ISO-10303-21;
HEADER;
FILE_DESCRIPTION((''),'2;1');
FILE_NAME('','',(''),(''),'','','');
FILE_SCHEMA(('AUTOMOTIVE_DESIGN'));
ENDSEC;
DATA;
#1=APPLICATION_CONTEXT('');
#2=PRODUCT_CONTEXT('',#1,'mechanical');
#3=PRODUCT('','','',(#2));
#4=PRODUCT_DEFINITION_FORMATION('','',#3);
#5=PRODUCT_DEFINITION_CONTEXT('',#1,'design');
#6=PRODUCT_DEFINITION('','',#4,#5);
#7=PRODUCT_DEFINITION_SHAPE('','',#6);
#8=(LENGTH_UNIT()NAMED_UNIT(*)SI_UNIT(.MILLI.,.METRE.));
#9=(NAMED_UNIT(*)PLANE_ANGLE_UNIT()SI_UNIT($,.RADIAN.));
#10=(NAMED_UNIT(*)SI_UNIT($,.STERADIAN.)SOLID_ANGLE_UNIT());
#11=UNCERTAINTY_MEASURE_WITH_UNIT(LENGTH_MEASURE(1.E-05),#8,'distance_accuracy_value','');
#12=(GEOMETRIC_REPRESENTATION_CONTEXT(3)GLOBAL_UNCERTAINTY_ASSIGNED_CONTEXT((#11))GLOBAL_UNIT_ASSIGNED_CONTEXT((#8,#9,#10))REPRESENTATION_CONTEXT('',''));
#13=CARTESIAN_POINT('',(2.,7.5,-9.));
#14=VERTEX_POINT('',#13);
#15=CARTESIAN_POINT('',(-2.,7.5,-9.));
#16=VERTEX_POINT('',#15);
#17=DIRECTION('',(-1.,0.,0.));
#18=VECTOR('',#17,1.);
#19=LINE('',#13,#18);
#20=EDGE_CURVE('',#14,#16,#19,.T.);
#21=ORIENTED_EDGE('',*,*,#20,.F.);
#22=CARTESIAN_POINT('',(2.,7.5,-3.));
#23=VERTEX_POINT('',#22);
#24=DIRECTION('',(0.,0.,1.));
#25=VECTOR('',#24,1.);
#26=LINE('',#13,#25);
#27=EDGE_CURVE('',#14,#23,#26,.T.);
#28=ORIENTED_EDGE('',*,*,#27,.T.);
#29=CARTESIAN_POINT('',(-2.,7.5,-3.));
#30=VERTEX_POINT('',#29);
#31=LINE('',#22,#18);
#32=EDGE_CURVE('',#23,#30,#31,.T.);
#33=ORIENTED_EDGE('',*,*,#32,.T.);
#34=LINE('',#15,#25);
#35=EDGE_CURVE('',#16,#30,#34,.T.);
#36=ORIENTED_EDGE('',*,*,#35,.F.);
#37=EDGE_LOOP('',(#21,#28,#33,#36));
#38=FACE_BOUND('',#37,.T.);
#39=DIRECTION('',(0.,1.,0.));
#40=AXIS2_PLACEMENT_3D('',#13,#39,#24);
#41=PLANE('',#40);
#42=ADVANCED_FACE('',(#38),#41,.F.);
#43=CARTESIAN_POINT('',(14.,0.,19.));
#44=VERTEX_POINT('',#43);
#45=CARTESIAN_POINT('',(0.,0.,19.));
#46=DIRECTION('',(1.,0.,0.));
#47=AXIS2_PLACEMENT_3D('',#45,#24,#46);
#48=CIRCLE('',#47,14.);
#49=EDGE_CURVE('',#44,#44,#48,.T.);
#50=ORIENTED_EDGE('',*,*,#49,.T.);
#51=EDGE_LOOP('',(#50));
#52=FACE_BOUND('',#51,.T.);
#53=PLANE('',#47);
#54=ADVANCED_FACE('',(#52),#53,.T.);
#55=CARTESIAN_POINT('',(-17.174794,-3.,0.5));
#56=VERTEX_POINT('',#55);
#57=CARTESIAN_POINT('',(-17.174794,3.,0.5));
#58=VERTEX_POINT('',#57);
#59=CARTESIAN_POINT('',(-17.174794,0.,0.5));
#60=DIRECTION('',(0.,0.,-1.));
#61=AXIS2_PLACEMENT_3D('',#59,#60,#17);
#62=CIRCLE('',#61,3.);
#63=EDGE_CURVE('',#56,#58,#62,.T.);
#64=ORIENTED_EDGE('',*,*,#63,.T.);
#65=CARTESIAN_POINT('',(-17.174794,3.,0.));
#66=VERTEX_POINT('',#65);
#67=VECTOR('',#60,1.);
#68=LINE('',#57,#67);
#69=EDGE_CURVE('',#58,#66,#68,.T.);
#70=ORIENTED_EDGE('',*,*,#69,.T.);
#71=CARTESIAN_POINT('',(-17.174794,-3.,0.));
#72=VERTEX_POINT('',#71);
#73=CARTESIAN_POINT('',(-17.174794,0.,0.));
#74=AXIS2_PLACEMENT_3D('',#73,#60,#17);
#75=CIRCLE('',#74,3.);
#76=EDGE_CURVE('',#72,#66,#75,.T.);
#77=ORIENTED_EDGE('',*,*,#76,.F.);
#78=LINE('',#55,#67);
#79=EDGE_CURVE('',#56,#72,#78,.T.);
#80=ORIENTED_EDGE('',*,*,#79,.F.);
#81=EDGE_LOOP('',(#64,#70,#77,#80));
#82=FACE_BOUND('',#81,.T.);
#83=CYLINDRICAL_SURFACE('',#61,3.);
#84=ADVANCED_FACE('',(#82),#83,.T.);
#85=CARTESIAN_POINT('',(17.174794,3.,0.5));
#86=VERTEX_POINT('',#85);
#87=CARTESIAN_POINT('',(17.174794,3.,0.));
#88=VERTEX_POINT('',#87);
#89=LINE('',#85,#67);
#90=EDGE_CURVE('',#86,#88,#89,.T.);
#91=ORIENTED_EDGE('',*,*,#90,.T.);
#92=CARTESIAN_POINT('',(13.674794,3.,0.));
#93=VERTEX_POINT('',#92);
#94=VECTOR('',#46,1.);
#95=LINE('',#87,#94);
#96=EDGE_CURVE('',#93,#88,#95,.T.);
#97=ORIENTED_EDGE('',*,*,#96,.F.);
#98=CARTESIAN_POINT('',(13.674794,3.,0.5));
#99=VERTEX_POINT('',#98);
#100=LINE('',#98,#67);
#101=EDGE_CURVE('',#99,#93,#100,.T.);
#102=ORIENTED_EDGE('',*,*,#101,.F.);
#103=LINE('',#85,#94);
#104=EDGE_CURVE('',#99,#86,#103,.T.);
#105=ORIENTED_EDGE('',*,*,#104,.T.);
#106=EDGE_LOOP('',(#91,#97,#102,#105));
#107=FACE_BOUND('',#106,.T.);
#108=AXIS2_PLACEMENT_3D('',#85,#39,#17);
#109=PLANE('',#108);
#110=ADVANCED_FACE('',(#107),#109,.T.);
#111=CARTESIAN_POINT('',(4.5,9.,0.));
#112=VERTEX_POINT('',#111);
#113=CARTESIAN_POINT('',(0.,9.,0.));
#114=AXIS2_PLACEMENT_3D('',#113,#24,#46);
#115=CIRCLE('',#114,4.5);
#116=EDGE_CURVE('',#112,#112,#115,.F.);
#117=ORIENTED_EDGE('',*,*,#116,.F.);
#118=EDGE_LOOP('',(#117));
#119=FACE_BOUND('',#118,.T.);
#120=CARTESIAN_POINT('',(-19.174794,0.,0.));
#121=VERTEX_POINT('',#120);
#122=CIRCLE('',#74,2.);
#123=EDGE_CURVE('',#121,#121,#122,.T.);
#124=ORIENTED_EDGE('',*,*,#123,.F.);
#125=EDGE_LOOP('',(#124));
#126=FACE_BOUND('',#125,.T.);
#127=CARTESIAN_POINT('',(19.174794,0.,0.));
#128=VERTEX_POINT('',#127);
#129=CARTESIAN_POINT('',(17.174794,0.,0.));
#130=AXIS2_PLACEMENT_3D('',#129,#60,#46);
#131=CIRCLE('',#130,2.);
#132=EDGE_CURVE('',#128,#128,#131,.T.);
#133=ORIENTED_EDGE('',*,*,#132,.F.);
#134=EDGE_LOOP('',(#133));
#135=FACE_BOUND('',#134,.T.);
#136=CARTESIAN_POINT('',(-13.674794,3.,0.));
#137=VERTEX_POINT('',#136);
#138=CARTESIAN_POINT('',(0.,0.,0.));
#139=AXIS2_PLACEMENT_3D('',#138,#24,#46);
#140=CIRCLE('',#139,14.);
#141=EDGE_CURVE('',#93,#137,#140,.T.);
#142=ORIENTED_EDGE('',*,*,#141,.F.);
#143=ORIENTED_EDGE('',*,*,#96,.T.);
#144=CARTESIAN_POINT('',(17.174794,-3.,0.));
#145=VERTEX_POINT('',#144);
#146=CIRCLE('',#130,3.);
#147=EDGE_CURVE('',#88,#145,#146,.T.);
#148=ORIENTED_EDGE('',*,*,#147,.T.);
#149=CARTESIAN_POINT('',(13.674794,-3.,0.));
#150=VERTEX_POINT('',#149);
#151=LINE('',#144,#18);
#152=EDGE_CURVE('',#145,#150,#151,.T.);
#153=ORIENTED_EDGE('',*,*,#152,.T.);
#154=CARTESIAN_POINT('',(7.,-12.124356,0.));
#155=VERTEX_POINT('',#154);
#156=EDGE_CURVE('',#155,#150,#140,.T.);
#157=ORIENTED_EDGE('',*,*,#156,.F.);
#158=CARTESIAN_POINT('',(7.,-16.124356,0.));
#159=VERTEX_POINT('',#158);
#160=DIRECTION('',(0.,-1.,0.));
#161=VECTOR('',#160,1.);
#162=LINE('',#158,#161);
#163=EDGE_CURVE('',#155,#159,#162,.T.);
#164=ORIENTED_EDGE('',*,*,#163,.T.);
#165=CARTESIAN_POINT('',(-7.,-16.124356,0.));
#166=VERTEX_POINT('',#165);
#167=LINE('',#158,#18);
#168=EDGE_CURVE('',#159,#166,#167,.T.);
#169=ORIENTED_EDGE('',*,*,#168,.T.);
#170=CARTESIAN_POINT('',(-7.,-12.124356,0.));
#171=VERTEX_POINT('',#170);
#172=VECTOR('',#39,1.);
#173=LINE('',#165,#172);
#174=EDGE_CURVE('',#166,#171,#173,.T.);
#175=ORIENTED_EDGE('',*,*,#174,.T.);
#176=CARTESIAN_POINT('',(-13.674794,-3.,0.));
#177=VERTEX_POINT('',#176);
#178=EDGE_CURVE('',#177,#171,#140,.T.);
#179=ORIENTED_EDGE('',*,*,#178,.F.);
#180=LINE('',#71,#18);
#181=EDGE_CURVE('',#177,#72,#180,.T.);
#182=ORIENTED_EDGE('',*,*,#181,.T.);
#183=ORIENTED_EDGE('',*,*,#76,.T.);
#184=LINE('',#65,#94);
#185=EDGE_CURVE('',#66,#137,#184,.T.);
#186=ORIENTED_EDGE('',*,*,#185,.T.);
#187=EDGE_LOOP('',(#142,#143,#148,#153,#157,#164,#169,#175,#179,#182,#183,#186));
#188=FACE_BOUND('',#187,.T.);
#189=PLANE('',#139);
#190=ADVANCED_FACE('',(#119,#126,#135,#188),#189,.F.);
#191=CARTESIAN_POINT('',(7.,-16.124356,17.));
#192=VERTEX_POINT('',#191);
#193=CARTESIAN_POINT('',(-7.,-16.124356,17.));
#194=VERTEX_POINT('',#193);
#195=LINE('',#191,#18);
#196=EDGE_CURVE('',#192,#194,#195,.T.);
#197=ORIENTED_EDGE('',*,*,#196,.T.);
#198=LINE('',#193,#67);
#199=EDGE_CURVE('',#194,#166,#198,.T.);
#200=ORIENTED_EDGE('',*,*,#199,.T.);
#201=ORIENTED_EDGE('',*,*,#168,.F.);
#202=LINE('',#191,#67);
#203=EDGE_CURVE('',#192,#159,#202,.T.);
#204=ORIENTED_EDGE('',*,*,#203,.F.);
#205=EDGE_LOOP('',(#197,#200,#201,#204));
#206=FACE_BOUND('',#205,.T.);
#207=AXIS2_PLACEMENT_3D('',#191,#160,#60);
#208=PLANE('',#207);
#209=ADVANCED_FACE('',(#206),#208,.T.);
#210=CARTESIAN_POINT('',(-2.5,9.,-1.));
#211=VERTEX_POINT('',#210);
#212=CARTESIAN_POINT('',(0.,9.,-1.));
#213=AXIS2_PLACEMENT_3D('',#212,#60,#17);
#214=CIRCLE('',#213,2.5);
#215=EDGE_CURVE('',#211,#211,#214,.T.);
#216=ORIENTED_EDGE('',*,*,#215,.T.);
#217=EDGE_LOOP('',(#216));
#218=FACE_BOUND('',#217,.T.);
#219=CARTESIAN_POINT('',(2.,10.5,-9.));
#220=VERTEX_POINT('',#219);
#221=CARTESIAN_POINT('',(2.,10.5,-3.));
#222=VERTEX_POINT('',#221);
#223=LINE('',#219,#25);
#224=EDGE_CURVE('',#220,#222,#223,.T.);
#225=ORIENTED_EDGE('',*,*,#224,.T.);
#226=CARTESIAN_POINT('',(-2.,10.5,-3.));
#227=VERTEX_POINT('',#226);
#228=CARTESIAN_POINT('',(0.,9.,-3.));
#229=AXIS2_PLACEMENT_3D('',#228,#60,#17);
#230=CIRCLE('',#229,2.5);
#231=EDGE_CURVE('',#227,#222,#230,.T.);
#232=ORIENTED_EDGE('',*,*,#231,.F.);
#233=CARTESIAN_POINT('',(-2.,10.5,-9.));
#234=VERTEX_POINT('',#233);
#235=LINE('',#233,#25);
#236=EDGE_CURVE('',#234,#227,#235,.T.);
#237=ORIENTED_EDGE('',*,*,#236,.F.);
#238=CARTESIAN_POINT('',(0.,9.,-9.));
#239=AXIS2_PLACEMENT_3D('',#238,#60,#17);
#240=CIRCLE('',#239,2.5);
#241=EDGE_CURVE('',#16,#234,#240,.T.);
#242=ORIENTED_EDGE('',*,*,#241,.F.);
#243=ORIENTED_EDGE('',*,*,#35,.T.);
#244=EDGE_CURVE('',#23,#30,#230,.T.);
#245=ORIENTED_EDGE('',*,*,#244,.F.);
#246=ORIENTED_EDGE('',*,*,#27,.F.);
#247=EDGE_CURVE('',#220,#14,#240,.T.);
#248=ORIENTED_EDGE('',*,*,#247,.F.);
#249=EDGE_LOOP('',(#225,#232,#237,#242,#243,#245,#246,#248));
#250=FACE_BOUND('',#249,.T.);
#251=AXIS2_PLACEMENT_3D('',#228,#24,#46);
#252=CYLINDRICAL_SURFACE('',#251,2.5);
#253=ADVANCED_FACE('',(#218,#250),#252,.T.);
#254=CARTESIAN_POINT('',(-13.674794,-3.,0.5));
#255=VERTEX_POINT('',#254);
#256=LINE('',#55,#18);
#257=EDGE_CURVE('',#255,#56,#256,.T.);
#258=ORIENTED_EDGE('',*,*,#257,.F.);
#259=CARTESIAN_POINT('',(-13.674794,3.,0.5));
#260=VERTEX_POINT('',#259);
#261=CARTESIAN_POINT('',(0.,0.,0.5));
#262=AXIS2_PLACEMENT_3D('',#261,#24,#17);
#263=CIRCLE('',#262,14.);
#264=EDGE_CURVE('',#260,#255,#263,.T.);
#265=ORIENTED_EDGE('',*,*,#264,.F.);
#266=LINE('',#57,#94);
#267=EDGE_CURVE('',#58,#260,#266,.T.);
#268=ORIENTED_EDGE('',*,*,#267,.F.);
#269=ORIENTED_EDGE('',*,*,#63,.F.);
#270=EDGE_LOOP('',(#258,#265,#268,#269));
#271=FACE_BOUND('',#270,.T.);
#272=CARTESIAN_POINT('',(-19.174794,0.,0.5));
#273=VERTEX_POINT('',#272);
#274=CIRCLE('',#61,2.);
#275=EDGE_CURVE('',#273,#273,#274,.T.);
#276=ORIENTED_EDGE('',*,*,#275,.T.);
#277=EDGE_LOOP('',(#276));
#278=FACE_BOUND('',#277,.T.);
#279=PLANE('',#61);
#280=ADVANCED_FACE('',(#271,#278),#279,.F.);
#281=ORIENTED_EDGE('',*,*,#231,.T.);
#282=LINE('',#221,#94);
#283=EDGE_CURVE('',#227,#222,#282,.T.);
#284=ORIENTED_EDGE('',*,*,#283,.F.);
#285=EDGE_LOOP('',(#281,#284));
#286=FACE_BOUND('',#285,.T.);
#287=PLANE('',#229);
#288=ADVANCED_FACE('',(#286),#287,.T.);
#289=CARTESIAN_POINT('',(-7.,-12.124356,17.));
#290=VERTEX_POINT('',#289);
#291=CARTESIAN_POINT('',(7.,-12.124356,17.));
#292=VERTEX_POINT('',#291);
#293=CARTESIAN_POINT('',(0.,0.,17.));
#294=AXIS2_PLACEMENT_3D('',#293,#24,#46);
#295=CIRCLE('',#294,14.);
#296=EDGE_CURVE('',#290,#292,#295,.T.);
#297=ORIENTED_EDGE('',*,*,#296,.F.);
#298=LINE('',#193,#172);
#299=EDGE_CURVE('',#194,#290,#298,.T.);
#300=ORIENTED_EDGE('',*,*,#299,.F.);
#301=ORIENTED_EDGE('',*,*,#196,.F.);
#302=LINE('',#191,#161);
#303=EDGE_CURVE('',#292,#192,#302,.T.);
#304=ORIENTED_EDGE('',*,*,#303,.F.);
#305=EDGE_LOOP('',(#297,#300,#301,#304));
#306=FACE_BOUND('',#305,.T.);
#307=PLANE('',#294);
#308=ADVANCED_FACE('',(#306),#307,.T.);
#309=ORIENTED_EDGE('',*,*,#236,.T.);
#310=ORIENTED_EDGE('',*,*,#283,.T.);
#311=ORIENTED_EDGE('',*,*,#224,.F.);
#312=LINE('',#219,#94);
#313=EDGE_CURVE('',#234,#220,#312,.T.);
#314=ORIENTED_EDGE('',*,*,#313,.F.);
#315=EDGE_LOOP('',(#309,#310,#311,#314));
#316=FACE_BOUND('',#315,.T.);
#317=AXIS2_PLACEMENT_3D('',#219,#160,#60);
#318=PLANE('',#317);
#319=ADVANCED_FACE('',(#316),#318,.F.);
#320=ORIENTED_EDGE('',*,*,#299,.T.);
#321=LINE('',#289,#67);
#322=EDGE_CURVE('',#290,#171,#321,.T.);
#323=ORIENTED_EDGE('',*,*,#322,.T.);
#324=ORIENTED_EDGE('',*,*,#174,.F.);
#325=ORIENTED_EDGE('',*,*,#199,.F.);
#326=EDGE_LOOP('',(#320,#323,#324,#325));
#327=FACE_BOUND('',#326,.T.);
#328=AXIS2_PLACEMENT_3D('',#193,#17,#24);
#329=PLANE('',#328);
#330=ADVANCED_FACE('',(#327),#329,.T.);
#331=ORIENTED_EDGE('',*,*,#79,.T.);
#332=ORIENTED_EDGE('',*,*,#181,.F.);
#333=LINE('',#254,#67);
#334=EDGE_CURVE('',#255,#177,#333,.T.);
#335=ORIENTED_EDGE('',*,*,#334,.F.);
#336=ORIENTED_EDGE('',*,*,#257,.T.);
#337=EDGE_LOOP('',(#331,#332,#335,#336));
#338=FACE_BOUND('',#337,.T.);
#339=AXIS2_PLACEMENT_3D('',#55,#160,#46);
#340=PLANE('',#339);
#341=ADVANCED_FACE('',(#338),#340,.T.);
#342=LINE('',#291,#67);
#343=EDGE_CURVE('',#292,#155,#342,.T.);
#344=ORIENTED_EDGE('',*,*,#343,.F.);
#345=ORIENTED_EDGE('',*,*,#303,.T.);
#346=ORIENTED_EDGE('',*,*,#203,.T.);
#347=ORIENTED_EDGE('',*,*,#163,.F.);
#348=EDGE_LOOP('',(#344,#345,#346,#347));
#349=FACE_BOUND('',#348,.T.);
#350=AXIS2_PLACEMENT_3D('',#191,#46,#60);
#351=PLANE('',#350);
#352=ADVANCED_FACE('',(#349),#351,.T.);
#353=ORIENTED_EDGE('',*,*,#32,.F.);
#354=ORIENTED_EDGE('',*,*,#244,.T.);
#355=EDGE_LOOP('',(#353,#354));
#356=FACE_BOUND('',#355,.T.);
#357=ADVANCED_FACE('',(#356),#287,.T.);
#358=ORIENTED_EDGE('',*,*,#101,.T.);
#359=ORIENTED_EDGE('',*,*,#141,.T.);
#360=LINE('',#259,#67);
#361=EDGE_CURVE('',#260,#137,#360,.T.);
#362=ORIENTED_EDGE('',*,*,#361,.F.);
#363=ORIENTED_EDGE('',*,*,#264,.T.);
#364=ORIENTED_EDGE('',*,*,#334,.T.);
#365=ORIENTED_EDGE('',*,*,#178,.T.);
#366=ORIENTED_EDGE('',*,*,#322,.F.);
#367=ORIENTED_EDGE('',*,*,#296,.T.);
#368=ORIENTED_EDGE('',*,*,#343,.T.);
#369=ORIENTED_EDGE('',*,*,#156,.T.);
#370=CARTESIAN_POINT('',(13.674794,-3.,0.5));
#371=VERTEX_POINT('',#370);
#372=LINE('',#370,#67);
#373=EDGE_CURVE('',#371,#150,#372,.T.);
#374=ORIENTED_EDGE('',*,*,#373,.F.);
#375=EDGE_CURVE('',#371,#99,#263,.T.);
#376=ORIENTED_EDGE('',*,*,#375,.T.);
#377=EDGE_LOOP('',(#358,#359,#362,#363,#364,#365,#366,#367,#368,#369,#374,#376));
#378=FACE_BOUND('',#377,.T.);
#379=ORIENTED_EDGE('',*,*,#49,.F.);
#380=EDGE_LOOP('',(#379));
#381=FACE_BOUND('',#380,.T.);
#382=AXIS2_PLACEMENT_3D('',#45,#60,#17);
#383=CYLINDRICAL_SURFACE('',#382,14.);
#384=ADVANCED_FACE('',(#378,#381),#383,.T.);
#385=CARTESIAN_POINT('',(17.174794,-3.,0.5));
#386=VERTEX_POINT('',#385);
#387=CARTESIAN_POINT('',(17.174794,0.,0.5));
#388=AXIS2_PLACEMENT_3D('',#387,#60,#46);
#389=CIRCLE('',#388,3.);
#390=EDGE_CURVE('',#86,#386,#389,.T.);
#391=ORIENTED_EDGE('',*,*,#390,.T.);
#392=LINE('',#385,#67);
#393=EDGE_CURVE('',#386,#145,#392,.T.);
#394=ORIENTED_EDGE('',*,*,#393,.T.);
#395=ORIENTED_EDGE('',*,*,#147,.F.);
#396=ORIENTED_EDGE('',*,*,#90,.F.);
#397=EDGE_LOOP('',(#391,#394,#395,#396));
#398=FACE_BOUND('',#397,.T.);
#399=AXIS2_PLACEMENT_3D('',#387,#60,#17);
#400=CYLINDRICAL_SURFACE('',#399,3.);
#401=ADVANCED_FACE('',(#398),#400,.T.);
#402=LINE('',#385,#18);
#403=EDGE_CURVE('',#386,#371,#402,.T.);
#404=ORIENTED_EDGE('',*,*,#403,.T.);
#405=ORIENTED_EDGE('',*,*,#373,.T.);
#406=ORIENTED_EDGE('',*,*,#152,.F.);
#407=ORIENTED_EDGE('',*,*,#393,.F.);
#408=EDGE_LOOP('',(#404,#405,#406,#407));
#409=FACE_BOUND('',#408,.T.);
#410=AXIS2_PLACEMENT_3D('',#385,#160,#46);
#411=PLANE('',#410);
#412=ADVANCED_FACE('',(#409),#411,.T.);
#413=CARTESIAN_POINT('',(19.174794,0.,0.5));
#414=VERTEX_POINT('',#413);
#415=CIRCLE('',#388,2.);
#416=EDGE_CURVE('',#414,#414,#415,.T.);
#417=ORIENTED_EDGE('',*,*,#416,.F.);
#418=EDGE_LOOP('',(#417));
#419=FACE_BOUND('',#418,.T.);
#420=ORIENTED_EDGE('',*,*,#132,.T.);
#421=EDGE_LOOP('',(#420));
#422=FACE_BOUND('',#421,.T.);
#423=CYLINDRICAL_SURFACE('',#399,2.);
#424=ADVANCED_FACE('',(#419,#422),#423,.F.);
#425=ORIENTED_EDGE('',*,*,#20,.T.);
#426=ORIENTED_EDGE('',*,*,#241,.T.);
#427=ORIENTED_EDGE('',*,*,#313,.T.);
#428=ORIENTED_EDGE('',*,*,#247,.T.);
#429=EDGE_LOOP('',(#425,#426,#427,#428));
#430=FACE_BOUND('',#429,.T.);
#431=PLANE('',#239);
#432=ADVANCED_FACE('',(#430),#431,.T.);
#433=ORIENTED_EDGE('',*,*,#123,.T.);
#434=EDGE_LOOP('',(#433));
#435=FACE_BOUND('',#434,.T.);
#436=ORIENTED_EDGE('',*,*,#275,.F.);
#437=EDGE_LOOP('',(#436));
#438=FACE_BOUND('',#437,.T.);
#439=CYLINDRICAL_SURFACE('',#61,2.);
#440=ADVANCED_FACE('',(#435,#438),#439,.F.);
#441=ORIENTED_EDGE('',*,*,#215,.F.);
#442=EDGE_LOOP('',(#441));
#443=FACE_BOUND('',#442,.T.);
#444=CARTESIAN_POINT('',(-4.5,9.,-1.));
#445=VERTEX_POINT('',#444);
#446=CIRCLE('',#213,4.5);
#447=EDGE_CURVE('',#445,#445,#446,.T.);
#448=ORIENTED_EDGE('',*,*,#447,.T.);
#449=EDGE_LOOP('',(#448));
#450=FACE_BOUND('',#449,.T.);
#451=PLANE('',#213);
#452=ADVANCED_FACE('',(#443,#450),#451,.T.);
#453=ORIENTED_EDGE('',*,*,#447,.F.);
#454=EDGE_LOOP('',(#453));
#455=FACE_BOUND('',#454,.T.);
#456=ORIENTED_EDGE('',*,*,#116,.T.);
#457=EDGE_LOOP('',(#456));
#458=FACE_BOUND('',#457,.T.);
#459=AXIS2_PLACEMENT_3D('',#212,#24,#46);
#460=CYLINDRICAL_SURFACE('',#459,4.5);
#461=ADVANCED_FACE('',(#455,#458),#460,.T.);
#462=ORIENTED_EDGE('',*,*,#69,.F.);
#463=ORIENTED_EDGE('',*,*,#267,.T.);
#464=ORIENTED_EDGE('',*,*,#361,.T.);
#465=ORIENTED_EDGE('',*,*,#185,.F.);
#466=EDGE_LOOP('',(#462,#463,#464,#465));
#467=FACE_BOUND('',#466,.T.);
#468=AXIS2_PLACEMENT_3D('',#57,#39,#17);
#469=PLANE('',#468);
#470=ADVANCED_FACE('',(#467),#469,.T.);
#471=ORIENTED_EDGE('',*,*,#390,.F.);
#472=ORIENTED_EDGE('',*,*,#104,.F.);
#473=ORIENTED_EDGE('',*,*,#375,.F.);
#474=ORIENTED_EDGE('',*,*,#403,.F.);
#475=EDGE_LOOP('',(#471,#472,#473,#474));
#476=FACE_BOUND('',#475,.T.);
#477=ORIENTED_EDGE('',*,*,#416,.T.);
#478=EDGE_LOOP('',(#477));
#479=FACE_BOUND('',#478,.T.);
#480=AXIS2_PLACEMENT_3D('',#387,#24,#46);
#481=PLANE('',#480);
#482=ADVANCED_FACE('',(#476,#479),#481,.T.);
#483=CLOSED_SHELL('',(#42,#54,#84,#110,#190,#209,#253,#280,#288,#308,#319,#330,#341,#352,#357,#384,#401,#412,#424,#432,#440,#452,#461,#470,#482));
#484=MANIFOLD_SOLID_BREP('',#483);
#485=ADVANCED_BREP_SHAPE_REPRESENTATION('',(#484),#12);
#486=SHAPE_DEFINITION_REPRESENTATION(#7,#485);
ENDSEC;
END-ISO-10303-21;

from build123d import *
from build123d.topology import SkipClean

# Parameters (mm, degrees)
SKETCH1_R           = 14
BOSS_EXTRUDE1_DEPTH = 19
SKETCH2_R           = 2
BOSS_EXTRUDE2_DEPTH = 0.5
SKETCH3_R           = 4.5
BOSS_EXTRUDE3_DEPTH = 1
SKETCH4_R           = 2.5
BOSS_EXTRUDE4_DEPTH = 2
BOSS_EXTRUDE5_DEPTH = 6
SKETCH6_W           = 14
SKETCH6_H           = 4
BOSS_EXTRUDE6_DEPTH = 17


with BuildPart() as part:
    # Sketch1 → Boss-Extrude1 (new body)
    with BuildSketch(Plane.XY):
        Circle(SKETCH1_R)
    extrude(amount=BOSS_EXTRUDE1_DEPTH)

    # Sketch2 → Boss-Extrude2 (add)
    # profile 1 of 2: a face of its own
    with BuildSketch(Plane(origin=(0, 0, 0), x_dir=(-1, 0, 0), z_dir=(0, 0, -1))):
        with BuildLine():
            Line((17.174794331, 3), (13.674794331, 3))
            ThreePointArc((13.674794331, 3), (14, 0), (13.674794331, -3))
            Line((13.674794331, -3), (17.174794331, -3))
            ThreePointArc((17.174794331, -3), (20.174794331, 0), (17.174794331, 3))
        make_face()
        with Locations((17.174794331, 0)):
            Circle(SKETCH2_R, mode=Mode.SUBTRACT)
    # profile 2 of 2: a face of its own
    with BuildSketch(Plane(origin=(0, 0, 0), x_dir=(-1, 0, 0), z_dir=(0, 0, -1))):
        with BuildLine():
            Line((-17.174794331, -3), (-13.674794331, -3))
            ThreePointArc((-13.674794331, -3), (-14, 0), (-13.674794331, 3))
            Line((-13.674794331, 3), (-17.174794331, 3))
            ThreePointArc((-17.174794331, 3), (-20.174794331, 0), (-17.174794331, -3))
        make_face()
        with Locations(Location((-17.174794331, 0, 0), (0, 0, 180))):
            Circle(SKETCH2_R, mode=Mode.SUBTRACT)
    extrude(amount=-BOSS_EXTRUDE2_DEPTH)

    # Sketch3 → Boss-Extrude3 (add)
    with BuildSketch(Plane(origin=(0, 0, 0), x_dir=(-1, 0, 0), z_dir=(0, 0, -1))):
        with Locations(Location((0, 9, 0), (0, 0, 180))):
            Circle(SKETCH3_R)
    extrude(amount=BOSS_EXTRUDE3_DEPTH)

    # Sketch4 → Boss-Extrude4 (add)
    with BuildSketch(Plane(origin=(0, 0, -1), x_dir=(-1, 0, 0), z_dir=(0, 0, -1))):
        with Locations((0, 9)):
            Circle(SKETCH4_R)
    extrude(amount=BOSS_EXTRUDE4_DEPTH)

    # Sketch5 → Boss-Extrude5 (add)
    with SkipClean():  # the faces are left unmerged after this step: merging them gives an invalid solid
        with BuildSketch(Plane(origin=(0, 0, -3), x_dir=(-1, 0, 0), z_dir=(0, 0, -1))):
            with BuildLine():
                Line((-2, 10.5), (2, 10.5))
                ThreePointArc((2, 10.5), (2.5, 9), (2, 7.5))
                Line((2, 7.5), (-2, 7.5))
                ThreePointArc((-2, 7.5), (-2.5, 9), (-2, 10.5))
            make_face()
        extrude(amount=BOSS_EXTRUDE5_DEPTH)

    # Sketch6 → Boss-Extrude6 (add)
    with SkipClean():  # the faces are left unmerged after this step: merging them gives an invalid solid
        with BuildSketch(Plane(origin=(0, 0, 0), x_dir=(-1, 0, 0), z_dir=(0, 0, -1))):
            with Locations((0, -14.124355653)):
                Rectangle(SKETCH6_W, SKETCH6_H)
        extrude(amount=-BOSS_EXTRUDE6_DEPTH)


solid = part.part
